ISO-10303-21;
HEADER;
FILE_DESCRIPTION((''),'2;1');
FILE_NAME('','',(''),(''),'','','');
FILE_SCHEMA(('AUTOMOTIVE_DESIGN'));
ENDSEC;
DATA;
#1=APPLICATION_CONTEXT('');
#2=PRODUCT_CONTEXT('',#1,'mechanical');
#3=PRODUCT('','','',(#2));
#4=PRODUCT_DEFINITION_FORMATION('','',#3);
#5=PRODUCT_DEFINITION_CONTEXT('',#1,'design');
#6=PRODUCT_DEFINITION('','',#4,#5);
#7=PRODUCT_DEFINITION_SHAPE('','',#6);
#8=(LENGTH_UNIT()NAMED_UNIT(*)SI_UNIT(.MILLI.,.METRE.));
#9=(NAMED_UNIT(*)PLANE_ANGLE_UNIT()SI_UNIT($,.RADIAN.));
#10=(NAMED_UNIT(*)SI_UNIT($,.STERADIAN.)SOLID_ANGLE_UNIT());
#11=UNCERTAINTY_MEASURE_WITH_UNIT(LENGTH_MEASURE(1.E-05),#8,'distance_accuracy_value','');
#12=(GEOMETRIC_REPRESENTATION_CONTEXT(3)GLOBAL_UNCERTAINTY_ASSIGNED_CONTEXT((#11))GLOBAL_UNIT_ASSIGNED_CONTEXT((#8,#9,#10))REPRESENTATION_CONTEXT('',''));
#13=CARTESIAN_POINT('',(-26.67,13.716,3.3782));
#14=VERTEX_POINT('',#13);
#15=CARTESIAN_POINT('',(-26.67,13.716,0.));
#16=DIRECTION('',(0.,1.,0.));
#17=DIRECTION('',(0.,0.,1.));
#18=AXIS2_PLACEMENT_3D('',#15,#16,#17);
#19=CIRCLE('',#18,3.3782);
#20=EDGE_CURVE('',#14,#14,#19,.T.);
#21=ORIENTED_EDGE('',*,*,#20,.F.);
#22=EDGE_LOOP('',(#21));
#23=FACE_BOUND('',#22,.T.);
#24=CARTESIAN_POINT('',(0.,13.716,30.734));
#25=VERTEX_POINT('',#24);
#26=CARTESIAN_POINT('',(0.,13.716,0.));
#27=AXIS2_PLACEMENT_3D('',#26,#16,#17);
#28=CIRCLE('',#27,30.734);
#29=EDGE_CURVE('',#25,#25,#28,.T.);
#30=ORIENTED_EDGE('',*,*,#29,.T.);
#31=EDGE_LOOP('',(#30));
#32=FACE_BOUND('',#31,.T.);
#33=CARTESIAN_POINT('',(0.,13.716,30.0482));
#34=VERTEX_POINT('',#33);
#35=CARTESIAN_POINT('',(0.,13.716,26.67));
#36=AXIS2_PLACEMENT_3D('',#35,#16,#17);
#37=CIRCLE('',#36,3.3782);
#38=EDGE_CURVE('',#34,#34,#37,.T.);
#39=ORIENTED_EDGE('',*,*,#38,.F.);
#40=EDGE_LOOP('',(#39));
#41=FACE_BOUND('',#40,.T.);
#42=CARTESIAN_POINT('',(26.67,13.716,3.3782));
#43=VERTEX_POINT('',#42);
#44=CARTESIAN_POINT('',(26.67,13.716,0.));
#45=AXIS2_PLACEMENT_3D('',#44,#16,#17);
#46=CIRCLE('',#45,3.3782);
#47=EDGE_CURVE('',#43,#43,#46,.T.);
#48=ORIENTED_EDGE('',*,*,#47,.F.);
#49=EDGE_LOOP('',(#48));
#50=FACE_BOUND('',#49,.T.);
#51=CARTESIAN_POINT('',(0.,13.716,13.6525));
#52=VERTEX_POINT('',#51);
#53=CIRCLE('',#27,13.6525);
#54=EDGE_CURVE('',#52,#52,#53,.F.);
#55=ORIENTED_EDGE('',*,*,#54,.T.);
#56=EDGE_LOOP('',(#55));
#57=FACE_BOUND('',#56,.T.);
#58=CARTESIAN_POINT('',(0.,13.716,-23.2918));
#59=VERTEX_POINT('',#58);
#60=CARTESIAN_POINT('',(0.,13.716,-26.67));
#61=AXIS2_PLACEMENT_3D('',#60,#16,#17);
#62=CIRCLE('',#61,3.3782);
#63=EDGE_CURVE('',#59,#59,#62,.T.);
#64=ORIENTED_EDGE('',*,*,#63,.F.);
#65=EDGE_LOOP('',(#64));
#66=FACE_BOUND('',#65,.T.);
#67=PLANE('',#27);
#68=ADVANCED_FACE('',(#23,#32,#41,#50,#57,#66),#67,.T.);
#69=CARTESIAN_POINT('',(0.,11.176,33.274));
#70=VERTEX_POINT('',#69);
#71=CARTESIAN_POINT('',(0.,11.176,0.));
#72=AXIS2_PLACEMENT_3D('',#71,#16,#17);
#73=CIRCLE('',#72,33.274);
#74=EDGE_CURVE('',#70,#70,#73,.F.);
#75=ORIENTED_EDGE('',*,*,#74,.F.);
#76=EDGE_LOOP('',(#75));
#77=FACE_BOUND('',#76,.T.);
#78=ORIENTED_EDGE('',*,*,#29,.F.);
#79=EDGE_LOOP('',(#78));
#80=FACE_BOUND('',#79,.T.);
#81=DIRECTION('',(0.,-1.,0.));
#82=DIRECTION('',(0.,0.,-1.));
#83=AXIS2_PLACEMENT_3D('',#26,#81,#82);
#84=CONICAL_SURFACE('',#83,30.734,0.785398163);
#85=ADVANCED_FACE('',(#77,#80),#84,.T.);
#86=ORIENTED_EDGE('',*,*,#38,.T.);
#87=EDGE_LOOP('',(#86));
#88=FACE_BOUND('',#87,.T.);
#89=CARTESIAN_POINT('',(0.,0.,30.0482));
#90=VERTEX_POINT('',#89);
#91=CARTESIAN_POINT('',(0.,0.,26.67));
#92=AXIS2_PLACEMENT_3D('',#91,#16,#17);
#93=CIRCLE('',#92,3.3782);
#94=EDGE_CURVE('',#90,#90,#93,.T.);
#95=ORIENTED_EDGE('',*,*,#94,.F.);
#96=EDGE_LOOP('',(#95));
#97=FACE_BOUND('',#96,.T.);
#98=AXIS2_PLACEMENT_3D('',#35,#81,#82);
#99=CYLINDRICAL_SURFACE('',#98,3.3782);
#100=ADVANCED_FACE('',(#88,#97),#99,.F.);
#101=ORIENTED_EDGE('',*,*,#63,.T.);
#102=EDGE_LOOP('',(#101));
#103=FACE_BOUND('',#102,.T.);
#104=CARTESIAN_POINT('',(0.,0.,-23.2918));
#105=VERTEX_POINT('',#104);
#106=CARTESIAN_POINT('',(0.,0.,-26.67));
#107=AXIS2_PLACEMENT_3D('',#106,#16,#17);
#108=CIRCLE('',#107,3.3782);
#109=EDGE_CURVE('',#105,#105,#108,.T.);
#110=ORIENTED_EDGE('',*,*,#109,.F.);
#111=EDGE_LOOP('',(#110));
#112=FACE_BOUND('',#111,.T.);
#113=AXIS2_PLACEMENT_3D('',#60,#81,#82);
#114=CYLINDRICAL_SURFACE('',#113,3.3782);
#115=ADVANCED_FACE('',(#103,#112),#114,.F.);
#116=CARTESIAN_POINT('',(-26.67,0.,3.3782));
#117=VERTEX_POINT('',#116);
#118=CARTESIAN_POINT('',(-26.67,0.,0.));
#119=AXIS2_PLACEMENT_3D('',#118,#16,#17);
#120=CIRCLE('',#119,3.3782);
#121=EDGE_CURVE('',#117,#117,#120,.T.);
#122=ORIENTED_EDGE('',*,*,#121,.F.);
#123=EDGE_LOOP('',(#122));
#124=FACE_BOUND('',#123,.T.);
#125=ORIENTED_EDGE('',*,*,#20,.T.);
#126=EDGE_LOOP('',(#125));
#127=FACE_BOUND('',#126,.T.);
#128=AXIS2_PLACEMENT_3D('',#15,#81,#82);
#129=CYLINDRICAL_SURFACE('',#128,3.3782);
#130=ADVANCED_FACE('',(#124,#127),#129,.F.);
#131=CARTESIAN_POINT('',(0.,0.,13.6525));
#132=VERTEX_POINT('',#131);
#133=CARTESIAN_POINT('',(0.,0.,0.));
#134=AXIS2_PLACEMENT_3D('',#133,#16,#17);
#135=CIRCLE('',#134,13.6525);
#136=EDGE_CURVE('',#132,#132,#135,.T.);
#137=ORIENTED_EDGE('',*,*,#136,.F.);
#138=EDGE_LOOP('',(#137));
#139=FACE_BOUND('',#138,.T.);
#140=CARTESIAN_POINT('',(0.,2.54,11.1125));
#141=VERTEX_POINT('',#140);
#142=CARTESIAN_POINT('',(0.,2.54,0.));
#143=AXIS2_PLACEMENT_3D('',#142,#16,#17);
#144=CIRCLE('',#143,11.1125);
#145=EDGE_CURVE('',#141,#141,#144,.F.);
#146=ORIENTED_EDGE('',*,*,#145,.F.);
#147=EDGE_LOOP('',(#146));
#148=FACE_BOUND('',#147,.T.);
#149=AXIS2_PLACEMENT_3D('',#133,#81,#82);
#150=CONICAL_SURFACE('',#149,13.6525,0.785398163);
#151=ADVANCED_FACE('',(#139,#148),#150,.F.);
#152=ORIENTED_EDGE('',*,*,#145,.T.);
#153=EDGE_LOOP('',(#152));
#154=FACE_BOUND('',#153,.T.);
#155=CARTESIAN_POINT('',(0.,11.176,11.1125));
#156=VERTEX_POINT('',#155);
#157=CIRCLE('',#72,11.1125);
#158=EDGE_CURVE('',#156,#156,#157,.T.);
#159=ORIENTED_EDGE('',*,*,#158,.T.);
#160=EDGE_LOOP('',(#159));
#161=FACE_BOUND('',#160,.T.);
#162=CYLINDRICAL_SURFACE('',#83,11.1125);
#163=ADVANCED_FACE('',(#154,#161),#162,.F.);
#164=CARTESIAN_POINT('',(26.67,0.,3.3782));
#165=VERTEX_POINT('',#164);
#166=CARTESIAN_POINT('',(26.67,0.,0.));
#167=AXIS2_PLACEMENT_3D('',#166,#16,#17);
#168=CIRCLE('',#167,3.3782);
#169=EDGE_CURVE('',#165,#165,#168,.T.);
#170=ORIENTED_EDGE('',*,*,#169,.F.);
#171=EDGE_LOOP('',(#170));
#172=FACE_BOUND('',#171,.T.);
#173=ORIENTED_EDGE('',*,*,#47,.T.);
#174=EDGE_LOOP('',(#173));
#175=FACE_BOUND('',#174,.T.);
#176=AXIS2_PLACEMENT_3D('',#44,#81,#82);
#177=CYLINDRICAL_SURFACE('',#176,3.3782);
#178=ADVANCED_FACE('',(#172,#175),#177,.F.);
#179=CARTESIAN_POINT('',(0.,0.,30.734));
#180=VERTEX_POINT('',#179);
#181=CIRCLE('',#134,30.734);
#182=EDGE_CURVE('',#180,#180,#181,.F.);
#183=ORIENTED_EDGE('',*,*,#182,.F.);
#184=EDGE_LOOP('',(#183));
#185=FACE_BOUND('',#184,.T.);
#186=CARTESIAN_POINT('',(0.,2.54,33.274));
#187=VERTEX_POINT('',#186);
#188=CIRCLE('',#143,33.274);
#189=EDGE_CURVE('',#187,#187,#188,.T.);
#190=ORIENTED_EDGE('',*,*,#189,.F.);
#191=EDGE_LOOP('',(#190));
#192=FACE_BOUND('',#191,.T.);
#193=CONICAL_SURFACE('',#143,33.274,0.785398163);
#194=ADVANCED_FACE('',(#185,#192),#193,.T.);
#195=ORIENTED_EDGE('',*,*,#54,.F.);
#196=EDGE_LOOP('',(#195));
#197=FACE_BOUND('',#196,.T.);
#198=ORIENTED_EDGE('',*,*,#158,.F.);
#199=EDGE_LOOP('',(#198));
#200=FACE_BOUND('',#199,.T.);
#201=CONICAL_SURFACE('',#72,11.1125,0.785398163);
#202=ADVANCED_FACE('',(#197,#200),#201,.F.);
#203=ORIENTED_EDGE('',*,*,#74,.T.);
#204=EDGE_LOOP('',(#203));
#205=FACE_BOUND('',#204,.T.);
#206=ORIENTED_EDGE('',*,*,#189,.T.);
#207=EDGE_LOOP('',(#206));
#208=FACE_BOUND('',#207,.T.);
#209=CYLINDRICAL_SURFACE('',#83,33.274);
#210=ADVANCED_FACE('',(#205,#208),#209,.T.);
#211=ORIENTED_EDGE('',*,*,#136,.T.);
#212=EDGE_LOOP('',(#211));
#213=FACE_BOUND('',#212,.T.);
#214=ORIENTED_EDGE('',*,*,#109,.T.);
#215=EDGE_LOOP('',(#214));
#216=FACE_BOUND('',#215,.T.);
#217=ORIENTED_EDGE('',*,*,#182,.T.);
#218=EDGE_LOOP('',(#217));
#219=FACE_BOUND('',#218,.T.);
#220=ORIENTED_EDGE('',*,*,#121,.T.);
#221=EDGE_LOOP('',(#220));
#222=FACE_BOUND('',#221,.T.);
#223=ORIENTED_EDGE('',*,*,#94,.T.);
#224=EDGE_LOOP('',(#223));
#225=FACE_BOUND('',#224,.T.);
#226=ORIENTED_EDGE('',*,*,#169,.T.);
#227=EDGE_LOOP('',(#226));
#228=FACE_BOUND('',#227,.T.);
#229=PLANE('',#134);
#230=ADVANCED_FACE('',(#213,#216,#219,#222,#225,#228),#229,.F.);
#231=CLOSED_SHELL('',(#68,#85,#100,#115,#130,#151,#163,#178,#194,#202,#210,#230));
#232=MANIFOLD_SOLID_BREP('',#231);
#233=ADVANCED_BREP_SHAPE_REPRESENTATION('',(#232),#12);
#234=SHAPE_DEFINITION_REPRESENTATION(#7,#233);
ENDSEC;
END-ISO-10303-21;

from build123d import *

# Parameters (mm, degrees)
SKETCH1_R           = 33.274
SKETCH1_R_2         = 11.1125
SKETCH1_R_3         = 3.3782
BOSS_EXTRUDE1_DEPTH = 13.716
CHAMFER1_SIZE       = 2.54


with BuildPart() as part:
    # Sketch1 → Boss-Extrude1 (new body)
    with BuildSketch(Plane(origin=(0, 0, 0), x_dir=(1, 0, 0), z_dir=(0, 1, 0))):
        with Locations(Location((0, 0, 0), (0, 0, 270))):
            Circle(SKETCH1_R)
        with Locations(Location((0, 0, 0), (0, 0, 270))):
            Circle(SKETCH1_R_2, mode=Mode.SUBTRACT)
        with Locations(Location((0, 26.67, 0), (0, 0, 270))):
            Circle(SKETCH1_R_3, mode=Mode.SUBTRACT)
        with Locations(Location((26.67, 0, 0), (0, 0, 270))):
            Circle(SKETCH1_R_3, mode=Mode.SUBTRACT)
        with Locations(Location((0, -26.67, 0), (0, 0, 270))):
            Circle(SKETCH1_R_3, mode=Mode.SUBTRACT)
        with Locations(Location((-26.67, 0, 0), (0, 0, 270))):
            Circle(SKETCH1_R_3, mode=Mode.SUBTRACT)
    extrude(amount=BOSS_EXTRUDE1_DEPTH)

    # Chamfer1
    chamfer1_edges = [part.edges().sort_by_distance(p)[0] for p in [
        (0, 0, -33.274),
        (0, 13.716, -33.274),
        (0, 0, -11.1125),
        (0, 13.716, -11.1125),
    ]]
    chamfer(chamfer1_edges, length=CHAMFER1_SIZE)


solid = part.part
